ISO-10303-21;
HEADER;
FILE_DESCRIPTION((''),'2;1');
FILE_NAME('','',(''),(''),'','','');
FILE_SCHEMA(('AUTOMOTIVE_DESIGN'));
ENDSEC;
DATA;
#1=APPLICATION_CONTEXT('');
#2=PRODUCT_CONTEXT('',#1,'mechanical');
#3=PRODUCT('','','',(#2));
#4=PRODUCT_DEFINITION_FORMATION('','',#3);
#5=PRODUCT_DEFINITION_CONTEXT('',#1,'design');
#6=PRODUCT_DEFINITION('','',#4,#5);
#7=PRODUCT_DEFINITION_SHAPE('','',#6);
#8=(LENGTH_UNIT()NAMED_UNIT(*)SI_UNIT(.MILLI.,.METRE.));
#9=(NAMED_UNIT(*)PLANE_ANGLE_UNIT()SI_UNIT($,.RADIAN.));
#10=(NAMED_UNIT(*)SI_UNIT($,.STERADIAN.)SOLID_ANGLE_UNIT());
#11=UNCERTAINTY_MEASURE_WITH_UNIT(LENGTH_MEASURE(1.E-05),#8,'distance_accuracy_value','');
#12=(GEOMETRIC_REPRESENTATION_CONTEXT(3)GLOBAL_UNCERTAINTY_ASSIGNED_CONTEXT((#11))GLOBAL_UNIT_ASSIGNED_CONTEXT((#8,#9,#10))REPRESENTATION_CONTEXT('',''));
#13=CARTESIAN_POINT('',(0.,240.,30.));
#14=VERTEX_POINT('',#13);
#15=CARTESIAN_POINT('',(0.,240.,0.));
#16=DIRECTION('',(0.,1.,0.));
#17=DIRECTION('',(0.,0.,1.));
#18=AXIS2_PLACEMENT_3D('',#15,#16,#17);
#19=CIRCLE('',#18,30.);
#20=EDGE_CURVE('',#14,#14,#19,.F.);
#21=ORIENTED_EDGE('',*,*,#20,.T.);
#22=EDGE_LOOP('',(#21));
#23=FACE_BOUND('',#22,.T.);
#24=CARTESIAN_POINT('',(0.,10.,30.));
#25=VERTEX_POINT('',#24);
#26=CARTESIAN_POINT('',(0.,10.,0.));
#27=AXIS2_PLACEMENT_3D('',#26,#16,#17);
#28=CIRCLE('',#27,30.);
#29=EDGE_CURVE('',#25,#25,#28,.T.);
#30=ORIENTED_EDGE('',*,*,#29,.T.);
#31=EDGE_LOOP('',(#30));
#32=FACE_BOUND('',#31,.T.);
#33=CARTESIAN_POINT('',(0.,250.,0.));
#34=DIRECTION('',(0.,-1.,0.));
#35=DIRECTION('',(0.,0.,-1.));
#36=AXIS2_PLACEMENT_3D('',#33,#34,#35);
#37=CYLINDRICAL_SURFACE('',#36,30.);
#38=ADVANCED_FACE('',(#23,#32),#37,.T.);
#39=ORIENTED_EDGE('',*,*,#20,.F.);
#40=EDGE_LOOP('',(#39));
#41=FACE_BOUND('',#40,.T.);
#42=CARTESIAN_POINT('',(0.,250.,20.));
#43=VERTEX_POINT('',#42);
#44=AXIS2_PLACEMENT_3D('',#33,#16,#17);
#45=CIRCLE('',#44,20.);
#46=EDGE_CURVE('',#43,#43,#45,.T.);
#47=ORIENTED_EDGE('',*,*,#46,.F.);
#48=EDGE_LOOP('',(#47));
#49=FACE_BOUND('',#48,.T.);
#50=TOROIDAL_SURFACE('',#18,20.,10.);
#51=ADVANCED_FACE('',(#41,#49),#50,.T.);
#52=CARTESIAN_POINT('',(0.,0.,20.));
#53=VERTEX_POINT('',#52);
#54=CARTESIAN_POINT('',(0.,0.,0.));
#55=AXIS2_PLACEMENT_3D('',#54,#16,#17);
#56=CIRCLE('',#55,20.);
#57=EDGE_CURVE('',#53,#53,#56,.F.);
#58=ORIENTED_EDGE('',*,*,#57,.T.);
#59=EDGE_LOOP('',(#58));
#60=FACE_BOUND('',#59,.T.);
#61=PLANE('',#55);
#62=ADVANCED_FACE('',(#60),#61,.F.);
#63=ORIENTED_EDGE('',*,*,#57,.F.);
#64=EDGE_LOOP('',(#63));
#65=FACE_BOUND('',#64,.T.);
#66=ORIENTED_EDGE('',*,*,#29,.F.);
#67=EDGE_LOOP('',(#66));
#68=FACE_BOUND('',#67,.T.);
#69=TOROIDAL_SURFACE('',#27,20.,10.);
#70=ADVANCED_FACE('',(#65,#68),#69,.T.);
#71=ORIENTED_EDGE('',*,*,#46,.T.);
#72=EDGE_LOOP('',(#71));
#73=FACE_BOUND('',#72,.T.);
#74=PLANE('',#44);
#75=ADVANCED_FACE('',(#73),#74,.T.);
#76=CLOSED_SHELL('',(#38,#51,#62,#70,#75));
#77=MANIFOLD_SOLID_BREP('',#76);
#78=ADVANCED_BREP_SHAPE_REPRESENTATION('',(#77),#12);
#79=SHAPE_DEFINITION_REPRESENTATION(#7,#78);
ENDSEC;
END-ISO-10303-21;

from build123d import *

# Parameters (mm, degrees)
SKETCH1_R           = 30
BOSS_EXTRUDE1_DEPTH = 250
FILLET1_R           = 10


with BuildPart() as part:
    # Sketch1 → Boss-Extrude1 (new body)
    with BuildSketch(Plane(origin=(0, 0, 0), x_dir=(1, 0, 0), z_dir=(0, 1, 0))):
        Circle(SKETCH1_R)
    extrude(amount=BOSS_EXTRUDE1_DEPTH)

    # Fillet1
    fillet1_edges = [part.edges().sort_by_distance(p)[0] for p in [
        (-30, 0, 0),
        (-30, 250, 0),
    ]]
    fillet(fillet1_edges, radius=FILLET1_R)


solid = part.part
